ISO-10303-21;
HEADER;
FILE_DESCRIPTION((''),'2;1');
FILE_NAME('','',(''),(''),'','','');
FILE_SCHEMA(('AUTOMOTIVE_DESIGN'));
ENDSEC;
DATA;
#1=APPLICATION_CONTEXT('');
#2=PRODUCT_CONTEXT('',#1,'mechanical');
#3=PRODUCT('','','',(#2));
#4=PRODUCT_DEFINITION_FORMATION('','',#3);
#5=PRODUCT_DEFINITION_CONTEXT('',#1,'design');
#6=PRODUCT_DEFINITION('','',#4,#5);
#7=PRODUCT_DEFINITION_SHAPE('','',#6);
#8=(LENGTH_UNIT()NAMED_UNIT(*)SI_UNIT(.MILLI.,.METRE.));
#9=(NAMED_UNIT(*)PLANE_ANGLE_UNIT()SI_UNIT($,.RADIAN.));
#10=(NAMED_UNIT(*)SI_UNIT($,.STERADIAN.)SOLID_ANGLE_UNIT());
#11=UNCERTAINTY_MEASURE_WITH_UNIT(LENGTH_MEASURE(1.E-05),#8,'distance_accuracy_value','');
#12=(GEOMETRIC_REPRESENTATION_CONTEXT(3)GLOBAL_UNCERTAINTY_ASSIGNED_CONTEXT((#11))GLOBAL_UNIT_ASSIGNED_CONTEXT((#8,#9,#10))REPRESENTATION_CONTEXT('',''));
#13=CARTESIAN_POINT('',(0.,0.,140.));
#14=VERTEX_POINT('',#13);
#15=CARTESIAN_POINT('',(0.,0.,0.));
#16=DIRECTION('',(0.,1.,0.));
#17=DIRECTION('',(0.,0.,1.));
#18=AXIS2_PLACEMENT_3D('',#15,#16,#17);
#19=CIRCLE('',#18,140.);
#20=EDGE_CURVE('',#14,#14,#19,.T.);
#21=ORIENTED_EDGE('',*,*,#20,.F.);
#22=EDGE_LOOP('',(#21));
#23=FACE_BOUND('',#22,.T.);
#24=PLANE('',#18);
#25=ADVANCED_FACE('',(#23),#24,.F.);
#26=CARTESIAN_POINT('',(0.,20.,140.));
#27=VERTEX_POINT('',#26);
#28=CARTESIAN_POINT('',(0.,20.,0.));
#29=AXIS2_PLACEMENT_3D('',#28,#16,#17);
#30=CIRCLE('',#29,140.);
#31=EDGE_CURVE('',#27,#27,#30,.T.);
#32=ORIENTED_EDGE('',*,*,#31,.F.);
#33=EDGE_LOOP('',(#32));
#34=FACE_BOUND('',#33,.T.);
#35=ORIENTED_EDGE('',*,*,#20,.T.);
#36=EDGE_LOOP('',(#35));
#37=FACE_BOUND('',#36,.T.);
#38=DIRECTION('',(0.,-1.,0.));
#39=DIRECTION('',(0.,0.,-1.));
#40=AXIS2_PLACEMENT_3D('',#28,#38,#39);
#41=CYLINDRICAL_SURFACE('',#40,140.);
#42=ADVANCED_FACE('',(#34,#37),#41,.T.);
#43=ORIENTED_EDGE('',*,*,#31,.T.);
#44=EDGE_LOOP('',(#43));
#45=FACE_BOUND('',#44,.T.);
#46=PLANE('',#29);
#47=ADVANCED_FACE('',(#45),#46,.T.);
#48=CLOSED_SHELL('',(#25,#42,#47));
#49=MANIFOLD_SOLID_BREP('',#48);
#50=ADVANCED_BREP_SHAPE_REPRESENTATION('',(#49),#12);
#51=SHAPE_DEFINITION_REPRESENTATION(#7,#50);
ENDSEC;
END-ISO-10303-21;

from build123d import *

# Parameters (mm, degrees)
SZKIC1_R                    = 140
DODANIE_WYCI_GNI_CIE1_DEPTH = 20


with BuildPart() as part:
    # Szkic1 → Dodanie-wyciągnięcie1 (new body)
    with BuildSketch(Plane(origin=(0, 0, 0), x_dir=(1, 0, 0), z_dir=(0, 1, 0))):
        with Locations(Location((0, 0, 0), (0, 0, 270))):
            Circle(SZKIC1_R)
    extrude(amount=DODANIE_WYCI_GNI_CIE1_DEPTH)


solid = part.part
